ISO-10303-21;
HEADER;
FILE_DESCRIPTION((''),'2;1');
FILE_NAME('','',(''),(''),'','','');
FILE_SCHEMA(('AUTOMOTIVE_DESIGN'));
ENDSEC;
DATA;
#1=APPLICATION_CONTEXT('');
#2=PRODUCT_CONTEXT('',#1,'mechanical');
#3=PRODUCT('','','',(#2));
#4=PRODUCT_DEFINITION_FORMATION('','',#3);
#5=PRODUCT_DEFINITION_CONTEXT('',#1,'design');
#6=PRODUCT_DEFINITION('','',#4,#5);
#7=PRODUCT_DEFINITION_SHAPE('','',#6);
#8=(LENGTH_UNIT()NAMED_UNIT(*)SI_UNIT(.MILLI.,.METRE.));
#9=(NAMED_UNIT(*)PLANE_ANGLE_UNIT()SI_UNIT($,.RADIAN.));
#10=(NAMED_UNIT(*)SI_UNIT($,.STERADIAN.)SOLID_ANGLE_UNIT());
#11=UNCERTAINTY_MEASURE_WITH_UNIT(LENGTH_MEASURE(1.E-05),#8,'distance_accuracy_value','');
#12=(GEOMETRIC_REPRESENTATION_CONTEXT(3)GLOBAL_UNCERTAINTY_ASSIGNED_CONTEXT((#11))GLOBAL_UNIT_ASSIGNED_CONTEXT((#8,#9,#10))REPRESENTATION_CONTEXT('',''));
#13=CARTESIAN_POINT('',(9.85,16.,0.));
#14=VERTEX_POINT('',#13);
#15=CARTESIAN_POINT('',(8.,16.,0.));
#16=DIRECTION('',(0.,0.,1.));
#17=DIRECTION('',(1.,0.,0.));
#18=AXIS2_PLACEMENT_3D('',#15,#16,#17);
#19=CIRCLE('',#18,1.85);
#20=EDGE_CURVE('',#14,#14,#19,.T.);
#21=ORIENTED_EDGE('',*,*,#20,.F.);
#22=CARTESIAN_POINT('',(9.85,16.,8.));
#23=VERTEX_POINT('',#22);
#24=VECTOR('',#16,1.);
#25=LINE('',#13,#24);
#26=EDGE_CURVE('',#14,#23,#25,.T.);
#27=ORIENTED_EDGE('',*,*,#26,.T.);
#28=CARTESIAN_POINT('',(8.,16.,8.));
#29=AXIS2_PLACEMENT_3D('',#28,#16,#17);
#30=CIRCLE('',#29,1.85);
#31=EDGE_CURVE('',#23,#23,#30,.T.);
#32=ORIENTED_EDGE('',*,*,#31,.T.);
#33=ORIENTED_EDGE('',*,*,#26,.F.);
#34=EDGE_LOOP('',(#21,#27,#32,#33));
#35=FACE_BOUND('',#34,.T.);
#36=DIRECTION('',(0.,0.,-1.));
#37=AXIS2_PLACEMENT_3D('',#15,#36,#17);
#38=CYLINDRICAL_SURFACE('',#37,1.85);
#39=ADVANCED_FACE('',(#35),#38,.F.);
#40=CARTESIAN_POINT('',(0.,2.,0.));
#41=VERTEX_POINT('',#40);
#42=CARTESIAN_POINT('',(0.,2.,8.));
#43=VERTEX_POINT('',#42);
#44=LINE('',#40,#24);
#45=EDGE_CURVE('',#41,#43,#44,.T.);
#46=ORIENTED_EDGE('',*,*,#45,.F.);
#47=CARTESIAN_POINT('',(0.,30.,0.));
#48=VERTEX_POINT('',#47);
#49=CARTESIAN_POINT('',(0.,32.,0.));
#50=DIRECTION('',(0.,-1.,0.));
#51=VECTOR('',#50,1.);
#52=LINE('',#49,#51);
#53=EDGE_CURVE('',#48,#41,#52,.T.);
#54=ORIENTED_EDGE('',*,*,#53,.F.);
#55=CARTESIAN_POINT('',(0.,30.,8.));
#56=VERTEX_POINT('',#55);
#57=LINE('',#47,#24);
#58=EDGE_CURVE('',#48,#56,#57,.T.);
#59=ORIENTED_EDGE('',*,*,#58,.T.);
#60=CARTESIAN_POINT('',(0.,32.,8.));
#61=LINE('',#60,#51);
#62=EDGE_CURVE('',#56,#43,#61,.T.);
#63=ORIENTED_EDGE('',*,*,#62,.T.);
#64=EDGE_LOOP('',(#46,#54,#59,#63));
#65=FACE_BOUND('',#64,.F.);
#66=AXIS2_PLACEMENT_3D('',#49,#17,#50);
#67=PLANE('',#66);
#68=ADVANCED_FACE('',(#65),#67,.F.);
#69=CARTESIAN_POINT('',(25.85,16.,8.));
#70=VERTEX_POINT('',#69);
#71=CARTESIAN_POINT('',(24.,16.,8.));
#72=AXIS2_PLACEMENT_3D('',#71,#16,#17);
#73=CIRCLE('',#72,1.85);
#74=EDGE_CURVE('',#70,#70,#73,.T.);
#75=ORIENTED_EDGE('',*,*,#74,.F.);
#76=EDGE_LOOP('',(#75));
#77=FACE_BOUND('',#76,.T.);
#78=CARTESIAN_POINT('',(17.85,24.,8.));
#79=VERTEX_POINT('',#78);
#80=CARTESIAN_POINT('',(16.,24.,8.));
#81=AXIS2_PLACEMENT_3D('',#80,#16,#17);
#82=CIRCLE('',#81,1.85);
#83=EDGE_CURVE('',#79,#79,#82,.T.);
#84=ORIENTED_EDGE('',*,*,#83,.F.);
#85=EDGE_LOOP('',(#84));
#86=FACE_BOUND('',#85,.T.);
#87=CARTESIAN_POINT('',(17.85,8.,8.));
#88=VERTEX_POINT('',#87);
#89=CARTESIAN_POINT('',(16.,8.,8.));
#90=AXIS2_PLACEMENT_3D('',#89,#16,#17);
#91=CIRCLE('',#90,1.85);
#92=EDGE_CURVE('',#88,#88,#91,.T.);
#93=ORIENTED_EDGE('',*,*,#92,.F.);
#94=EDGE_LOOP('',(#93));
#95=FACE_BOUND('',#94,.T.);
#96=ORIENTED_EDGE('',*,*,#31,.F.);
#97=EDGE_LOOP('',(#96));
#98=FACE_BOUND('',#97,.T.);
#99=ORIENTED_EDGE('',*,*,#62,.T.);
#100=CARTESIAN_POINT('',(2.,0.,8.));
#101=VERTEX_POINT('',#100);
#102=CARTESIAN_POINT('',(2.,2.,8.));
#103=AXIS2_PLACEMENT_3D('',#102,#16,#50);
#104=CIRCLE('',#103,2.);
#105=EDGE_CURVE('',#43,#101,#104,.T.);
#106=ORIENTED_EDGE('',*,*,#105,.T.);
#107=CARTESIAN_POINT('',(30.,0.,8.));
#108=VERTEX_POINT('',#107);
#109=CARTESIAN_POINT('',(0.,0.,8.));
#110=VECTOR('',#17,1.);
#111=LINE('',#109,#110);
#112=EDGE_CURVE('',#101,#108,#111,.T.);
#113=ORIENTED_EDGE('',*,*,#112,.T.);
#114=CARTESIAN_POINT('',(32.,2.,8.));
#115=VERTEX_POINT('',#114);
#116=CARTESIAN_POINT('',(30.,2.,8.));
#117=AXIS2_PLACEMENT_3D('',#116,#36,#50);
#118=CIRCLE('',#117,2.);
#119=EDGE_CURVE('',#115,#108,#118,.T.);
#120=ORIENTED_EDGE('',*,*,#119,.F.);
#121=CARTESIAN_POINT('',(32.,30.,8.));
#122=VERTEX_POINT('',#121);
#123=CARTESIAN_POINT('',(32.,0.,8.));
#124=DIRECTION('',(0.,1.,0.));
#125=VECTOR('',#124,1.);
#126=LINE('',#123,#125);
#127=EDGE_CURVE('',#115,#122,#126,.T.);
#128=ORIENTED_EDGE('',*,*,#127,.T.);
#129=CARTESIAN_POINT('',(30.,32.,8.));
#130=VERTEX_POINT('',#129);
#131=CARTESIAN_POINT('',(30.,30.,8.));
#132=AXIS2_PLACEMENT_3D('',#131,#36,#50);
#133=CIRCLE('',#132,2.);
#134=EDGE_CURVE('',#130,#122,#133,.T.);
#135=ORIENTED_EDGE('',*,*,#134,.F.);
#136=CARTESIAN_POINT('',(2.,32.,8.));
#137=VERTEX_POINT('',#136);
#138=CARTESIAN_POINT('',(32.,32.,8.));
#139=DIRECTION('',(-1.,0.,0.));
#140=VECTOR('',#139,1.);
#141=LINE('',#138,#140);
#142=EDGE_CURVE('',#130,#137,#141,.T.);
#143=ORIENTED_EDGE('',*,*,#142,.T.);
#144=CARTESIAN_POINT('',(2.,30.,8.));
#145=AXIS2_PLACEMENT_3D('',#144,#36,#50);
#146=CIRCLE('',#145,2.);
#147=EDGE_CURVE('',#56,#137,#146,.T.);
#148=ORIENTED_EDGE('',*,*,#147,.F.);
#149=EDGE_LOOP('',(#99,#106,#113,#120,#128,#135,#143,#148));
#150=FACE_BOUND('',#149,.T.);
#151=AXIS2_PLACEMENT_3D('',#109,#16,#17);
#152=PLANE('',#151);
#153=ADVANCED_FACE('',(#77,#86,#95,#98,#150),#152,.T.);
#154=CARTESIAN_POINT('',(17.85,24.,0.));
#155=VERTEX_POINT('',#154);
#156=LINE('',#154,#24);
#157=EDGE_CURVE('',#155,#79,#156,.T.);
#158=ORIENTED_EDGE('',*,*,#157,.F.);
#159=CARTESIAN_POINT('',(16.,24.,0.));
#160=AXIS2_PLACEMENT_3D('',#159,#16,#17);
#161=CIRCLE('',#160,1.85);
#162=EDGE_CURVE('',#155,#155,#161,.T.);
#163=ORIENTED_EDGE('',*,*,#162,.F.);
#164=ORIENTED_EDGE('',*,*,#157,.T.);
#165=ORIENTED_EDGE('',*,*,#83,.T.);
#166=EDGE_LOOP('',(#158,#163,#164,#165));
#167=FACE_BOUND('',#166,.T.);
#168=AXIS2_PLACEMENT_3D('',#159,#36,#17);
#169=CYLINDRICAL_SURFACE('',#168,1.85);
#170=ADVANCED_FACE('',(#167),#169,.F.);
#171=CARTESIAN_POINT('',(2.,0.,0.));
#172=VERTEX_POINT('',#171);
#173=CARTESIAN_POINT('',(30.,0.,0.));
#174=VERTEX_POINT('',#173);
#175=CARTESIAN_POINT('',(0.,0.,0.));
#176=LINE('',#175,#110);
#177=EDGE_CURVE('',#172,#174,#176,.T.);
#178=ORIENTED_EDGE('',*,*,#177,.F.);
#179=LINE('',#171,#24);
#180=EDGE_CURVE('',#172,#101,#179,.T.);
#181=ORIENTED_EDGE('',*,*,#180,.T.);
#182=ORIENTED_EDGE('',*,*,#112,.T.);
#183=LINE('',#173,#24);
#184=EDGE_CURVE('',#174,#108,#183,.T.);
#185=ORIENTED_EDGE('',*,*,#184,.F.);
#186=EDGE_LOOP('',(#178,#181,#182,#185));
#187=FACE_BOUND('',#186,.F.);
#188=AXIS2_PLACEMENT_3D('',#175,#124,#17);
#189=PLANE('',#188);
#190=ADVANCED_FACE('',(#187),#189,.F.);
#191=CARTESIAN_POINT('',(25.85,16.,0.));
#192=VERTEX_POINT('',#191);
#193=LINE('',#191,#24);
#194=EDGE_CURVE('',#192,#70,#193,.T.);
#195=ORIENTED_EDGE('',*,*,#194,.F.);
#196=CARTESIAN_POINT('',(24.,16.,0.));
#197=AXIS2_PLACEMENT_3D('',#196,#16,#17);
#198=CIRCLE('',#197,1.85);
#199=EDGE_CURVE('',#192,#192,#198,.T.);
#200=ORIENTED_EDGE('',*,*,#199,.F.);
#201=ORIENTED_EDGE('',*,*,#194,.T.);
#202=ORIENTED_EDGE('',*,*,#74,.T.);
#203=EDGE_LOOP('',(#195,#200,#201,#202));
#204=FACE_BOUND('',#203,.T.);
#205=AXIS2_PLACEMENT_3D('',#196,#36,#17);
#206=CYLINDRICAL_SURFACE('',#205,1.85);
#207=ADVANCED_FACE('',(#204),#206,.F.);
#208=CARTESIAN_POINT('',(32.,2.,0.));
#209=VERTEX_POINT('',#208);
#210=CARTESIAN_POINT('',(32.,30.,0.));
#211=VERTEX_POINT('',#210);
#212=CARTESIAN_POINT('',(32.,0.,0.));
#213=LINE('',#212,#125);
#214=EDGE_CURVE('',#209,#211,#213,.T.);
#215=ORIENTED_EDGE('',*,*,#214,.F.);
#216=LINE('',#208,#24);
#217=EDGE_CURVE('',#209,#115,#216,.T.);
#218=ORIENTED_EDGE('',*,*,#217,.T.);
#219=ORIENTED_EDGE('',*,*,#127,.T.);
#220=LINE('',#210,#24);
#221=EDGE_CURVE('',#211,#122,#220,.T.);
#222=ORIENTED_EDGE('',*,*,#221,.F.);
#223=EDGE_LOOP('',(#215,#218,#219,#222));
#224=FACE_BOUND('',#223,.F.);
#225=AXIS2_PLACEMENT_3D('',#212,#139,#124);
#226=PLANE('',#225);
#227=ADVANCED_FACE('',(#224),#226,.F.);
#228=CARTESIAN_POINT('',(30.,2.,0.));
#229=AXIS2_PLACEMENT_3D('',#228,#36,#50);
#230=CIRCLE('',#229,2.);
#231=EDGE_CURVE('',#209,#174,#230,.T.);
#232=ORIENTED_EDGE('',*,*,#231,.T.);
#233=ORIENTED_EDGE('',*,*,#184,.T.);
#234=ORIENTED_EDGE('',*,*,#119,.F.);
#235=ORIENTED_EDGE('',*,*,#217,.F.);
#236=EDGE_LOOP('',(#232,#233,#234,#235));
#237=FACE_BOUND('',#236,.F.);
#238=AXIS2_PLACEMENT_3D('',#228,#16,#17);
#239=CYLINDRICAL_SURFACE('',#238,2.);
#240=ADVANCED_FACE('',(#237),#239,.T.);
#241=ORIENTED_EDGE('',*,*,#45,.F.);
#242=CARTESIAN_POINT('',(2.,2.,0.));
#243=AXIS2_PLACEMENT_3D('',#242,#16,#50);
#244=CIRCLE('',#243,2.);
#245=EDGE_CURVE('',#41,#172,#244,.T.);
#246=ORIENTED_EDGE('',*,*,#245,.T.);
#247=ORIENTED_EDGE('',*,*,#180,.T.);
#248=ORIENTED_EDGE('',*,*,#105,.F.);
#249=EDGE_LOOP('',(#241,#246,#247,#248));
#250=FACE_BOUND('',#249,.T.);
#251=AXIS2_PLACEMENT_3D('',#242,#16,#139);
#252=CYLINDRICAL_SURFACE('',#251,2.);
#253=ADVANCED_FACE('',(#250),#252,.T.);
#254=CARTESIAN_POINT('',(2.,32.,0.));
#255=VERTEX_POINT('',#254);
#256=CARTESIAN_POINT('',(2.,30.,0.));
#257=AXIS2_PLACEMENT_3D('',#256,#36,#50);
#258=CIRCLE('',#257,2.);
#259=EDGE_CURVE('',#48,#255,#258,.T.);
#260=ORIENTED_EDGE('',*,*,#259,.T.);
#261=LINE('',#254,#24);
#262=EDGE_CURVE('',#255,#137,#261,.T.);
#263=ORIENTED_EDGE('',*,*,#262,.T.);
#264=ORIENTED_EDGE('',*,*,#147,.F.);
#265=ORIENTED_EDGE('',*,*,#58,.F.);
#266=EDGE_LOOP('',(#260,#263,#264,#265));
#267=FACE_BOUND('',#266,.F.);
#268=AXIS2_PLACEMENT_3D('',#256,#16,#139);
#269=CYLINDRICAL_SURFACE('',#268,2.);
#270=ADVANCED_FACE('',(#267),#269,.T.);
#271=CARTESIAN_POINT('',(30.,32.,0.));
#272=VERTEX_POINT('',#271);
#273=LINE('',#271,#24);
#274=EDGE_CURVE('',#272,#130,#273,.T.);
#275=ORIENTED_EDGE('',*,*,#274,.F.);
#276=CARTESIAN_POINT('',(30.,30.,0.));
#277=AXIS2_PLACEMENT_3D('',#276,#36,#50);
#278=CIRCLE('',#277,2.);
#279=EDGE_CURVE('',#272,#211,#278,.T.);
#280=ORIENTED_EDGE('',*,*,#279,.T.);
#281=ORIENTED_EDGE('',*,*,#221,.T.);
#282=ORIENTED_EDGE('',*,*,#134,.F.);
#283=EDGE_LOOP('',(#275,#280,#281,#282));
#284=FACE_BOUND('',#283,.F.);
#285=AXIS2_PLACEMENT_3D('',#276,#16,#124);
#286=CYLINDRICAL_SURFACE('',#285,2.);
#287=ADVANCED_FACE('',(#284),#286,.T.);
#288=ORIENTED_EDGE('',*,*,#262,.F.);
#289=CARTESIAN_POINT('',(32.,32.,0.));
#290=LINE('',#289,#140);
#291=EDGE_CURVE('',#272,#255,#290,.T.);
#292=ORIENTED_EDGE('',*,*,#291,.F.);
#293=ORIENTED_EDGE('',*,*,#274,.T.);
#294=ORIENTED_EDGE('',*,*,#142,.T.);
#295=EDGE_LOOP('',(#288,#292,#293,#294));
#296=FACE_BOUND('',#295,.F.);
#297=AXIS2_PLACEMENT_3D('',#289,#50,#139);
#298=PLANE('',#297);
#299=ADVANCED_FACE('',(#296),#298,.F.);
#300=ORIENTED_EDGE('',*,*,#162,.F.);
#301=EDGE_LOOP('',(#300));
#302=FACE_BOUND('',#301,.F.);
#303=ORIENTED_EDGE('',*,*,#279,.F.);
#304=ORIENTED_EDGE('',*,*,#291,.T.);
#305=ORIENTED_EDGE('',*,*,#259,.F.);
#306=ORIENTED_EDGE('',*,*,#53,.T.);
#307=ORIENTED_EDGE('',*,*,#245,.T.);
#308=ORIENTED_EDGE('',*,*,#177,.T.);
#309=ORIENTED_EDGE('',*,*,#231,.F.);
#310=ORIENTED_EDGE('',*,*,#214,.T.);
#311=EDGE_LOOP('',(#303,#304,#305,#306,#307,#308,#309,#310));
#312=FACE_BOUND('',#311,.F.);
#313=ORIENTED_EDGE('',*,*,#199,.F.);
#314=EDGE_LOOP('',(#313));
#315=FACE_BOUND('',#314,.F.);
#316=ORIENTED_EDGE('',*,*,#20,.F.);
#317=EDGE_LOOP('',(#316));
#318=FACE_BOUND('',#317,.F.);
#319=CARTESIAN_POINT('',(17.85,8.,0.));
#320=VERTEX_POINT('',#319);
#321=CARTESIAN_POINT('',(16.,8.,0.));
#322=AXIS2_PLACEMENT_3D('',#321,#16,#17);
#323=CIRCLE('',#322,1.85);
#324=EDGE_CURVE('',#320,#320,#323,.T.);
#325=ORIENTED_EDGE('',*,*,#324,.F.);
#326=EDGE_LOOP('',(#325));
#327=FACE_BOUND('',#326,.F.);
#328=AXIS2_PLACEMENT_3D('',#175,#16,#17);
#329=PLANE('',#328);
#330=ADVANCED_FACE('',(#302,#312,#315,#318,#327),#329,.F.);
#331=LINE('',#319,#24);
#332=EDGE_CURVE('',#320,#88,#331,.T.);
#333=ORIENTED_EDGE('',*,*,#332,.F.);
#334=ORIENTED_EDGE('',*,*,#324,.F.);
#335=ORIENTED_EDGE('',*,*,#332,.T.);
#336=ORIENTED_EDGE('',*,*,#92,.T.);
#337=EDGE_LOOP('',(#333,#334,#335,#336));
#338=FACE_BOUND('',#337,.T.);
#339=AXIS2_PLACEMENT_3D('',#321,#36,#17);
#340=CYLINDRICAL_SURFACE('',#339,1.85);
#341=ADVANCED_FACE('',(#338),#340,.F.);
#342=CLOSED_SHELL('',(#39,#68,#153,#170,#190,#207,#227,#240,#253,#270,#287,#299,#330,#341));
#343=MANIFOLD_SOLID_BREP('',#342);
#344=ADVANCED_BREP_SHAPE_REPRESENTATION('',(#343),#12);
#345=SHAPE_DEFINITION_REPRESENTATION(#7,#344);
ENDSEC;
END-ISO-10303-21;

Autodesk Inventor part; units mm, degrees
ref_plane "YZ Plane" through (0, 0, 0) normal (1, 0, 0) x (0, 1, 0)
ref_plane "XZ Plane" through (0, 0, 0) normal (0, 1, 0) x (-1, 0, 0)
ref_plane "XY Plane" through (0, 0, 0) normal (0, 0, 1) x (1, 0, 0)
sketch "Sketch1" plane through (0, 0, 0) normal (0, 0, 1) x (1, 0, 0)
  line L0 (0, 0) -> (32, 0)
  line L1 (32, 0) -> (32, 32)
  line L2 (32, 32) -> (0, 32)
  line L3 (0, 32) -> (0, 0)
  circle A0 centre (24, 16) radius 1.85 projected
  circle A1 centre (16, 24) radius 1.85 projected
  circle A2 centre (8, 16) radius 1.85 projected
  circle A3 centre (16, 8) radius 1.85 projected
  dimension "d0" = 32
  dimension "d1" = 32
extrude "Extrusion1" add sketch "Sketch1" along normal blind 8
fillet "Fillet1" radius 2 4 edges at (32, 0, 4) (32, 32, 4) (0, 0, 4) (0, 32, 4)
properties part number "8mmSpacer"
